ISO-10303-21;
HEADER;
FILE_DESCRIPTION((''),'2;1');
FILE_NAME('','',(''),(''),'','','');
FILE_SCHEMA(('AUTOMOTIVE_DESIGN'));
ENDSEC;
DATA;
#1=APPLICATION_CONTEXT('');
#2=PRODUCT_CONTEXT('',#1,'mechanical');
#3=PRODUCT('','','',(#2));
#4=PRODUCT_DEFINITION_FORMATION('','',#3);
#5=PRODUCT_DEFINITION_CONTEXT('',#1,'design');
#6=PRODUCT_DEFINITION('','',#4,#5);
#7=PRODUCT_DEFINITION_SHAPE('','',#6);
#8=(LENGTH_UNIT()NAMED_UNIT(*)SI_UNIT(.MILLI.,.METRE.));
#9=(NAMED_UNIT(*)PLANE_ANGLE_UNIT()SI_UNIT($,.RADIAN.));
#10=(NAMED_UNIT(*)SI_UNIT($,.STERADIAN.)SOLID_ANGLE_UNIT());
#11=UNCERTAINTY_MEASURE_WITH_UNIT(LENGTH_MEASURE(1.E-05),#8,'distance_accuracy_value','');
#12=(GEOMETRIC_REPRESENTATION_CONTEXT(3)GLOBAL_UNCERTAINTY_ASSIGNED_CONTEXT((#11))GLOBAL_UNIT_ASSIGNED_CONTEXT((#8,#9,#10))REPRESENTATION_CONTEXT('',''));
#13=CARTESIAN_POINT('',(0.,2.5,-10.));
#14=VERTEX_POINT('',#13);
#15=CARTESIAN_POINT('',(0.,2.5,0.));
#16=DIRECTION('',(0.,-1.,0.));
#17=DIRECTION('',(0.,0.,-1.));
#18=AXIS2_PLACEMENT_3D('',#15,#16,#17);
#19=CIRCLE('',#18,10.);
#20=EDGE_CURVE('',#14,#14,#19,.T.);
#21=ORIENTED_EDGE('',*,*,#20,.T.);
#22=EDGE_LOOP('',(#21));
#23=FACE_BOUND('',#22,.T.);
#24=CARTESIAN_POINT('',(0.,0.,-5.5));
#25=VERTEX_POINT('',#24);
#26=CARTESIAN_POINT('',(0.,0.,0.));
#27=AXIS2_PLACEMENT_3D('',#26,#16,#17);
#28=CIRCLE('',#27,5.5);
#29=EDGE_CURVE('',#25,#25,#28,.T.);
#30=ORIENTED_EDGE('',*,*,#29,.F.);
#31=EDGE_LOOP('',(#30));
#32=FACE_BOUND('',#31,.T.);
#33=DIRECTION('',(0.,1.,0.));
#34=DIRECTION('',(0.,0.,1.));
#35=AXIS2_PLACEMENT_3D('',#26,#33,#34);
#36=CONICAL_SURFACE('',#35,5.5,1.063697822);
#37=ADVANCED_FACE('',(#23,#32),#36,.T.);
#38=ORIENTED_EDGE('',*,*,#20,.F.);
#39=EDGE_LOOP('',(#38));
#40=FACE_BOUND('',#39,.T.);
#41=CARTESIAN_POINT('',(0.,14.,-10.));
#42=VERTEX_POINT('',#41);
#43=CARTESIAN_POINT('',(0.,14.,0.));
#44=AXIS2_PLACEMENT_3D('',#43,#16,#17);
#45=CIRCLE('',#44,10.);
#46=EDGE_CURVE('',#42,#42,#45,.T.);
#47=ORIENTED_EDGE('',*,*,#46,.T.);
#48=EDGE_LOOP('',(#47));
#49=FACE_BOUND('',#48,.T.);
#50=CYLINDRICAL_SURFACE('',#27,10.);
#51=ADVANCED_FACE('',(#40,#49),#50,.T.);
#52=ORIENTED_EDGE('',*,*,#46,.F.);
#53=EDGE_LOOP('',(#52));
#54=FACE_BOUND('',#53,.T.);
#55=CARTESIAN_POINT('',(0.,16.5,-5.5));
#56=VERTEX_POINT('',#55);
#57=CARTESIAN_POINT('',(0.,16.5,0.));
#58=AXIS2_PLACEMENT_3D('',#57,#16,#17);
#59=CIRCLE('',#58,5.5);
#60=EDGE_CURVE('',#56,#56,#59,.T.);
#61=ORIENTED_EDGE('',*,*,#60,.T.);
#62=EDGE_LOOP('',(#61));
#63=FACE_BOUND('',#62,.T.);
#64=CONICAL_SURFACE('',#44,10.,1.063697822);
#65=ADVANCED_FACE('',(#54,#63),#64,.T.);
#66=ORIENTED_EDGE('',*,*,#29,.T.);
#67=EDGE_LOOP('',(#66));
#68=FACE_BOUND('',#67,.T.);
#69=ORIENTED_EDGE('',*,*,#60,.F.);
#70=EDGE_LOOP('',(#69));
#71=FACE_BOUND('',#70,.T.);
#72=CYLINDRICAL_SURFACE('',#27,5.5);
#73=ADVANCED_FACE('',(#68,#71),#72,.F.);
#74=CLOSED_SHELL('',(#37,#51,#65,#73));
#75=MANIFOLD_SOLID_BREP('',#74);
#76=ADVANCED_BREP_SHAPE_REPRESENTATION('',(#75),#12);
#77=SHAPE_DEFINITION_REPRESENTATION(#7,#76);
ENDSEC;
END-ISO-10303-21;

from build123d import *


with BuildPart() as part:
    # Sketch1 → Revolve1 (revolve)
    with BuildSketch(Plane.XY, mode=Mode.PRIVATE) as revolve1_sk:
        Polygon((5.5, 0), (10, 2.5), (10, 14), (5.5, 16.5), align=None)
    revolve(revolve1_sk.sketch.rotate(Axis((0, 0, 0), (0, 1, 0)), 90), axis=Axis((0, 0, 0), (0, 1, 0)))


solid = part.part
